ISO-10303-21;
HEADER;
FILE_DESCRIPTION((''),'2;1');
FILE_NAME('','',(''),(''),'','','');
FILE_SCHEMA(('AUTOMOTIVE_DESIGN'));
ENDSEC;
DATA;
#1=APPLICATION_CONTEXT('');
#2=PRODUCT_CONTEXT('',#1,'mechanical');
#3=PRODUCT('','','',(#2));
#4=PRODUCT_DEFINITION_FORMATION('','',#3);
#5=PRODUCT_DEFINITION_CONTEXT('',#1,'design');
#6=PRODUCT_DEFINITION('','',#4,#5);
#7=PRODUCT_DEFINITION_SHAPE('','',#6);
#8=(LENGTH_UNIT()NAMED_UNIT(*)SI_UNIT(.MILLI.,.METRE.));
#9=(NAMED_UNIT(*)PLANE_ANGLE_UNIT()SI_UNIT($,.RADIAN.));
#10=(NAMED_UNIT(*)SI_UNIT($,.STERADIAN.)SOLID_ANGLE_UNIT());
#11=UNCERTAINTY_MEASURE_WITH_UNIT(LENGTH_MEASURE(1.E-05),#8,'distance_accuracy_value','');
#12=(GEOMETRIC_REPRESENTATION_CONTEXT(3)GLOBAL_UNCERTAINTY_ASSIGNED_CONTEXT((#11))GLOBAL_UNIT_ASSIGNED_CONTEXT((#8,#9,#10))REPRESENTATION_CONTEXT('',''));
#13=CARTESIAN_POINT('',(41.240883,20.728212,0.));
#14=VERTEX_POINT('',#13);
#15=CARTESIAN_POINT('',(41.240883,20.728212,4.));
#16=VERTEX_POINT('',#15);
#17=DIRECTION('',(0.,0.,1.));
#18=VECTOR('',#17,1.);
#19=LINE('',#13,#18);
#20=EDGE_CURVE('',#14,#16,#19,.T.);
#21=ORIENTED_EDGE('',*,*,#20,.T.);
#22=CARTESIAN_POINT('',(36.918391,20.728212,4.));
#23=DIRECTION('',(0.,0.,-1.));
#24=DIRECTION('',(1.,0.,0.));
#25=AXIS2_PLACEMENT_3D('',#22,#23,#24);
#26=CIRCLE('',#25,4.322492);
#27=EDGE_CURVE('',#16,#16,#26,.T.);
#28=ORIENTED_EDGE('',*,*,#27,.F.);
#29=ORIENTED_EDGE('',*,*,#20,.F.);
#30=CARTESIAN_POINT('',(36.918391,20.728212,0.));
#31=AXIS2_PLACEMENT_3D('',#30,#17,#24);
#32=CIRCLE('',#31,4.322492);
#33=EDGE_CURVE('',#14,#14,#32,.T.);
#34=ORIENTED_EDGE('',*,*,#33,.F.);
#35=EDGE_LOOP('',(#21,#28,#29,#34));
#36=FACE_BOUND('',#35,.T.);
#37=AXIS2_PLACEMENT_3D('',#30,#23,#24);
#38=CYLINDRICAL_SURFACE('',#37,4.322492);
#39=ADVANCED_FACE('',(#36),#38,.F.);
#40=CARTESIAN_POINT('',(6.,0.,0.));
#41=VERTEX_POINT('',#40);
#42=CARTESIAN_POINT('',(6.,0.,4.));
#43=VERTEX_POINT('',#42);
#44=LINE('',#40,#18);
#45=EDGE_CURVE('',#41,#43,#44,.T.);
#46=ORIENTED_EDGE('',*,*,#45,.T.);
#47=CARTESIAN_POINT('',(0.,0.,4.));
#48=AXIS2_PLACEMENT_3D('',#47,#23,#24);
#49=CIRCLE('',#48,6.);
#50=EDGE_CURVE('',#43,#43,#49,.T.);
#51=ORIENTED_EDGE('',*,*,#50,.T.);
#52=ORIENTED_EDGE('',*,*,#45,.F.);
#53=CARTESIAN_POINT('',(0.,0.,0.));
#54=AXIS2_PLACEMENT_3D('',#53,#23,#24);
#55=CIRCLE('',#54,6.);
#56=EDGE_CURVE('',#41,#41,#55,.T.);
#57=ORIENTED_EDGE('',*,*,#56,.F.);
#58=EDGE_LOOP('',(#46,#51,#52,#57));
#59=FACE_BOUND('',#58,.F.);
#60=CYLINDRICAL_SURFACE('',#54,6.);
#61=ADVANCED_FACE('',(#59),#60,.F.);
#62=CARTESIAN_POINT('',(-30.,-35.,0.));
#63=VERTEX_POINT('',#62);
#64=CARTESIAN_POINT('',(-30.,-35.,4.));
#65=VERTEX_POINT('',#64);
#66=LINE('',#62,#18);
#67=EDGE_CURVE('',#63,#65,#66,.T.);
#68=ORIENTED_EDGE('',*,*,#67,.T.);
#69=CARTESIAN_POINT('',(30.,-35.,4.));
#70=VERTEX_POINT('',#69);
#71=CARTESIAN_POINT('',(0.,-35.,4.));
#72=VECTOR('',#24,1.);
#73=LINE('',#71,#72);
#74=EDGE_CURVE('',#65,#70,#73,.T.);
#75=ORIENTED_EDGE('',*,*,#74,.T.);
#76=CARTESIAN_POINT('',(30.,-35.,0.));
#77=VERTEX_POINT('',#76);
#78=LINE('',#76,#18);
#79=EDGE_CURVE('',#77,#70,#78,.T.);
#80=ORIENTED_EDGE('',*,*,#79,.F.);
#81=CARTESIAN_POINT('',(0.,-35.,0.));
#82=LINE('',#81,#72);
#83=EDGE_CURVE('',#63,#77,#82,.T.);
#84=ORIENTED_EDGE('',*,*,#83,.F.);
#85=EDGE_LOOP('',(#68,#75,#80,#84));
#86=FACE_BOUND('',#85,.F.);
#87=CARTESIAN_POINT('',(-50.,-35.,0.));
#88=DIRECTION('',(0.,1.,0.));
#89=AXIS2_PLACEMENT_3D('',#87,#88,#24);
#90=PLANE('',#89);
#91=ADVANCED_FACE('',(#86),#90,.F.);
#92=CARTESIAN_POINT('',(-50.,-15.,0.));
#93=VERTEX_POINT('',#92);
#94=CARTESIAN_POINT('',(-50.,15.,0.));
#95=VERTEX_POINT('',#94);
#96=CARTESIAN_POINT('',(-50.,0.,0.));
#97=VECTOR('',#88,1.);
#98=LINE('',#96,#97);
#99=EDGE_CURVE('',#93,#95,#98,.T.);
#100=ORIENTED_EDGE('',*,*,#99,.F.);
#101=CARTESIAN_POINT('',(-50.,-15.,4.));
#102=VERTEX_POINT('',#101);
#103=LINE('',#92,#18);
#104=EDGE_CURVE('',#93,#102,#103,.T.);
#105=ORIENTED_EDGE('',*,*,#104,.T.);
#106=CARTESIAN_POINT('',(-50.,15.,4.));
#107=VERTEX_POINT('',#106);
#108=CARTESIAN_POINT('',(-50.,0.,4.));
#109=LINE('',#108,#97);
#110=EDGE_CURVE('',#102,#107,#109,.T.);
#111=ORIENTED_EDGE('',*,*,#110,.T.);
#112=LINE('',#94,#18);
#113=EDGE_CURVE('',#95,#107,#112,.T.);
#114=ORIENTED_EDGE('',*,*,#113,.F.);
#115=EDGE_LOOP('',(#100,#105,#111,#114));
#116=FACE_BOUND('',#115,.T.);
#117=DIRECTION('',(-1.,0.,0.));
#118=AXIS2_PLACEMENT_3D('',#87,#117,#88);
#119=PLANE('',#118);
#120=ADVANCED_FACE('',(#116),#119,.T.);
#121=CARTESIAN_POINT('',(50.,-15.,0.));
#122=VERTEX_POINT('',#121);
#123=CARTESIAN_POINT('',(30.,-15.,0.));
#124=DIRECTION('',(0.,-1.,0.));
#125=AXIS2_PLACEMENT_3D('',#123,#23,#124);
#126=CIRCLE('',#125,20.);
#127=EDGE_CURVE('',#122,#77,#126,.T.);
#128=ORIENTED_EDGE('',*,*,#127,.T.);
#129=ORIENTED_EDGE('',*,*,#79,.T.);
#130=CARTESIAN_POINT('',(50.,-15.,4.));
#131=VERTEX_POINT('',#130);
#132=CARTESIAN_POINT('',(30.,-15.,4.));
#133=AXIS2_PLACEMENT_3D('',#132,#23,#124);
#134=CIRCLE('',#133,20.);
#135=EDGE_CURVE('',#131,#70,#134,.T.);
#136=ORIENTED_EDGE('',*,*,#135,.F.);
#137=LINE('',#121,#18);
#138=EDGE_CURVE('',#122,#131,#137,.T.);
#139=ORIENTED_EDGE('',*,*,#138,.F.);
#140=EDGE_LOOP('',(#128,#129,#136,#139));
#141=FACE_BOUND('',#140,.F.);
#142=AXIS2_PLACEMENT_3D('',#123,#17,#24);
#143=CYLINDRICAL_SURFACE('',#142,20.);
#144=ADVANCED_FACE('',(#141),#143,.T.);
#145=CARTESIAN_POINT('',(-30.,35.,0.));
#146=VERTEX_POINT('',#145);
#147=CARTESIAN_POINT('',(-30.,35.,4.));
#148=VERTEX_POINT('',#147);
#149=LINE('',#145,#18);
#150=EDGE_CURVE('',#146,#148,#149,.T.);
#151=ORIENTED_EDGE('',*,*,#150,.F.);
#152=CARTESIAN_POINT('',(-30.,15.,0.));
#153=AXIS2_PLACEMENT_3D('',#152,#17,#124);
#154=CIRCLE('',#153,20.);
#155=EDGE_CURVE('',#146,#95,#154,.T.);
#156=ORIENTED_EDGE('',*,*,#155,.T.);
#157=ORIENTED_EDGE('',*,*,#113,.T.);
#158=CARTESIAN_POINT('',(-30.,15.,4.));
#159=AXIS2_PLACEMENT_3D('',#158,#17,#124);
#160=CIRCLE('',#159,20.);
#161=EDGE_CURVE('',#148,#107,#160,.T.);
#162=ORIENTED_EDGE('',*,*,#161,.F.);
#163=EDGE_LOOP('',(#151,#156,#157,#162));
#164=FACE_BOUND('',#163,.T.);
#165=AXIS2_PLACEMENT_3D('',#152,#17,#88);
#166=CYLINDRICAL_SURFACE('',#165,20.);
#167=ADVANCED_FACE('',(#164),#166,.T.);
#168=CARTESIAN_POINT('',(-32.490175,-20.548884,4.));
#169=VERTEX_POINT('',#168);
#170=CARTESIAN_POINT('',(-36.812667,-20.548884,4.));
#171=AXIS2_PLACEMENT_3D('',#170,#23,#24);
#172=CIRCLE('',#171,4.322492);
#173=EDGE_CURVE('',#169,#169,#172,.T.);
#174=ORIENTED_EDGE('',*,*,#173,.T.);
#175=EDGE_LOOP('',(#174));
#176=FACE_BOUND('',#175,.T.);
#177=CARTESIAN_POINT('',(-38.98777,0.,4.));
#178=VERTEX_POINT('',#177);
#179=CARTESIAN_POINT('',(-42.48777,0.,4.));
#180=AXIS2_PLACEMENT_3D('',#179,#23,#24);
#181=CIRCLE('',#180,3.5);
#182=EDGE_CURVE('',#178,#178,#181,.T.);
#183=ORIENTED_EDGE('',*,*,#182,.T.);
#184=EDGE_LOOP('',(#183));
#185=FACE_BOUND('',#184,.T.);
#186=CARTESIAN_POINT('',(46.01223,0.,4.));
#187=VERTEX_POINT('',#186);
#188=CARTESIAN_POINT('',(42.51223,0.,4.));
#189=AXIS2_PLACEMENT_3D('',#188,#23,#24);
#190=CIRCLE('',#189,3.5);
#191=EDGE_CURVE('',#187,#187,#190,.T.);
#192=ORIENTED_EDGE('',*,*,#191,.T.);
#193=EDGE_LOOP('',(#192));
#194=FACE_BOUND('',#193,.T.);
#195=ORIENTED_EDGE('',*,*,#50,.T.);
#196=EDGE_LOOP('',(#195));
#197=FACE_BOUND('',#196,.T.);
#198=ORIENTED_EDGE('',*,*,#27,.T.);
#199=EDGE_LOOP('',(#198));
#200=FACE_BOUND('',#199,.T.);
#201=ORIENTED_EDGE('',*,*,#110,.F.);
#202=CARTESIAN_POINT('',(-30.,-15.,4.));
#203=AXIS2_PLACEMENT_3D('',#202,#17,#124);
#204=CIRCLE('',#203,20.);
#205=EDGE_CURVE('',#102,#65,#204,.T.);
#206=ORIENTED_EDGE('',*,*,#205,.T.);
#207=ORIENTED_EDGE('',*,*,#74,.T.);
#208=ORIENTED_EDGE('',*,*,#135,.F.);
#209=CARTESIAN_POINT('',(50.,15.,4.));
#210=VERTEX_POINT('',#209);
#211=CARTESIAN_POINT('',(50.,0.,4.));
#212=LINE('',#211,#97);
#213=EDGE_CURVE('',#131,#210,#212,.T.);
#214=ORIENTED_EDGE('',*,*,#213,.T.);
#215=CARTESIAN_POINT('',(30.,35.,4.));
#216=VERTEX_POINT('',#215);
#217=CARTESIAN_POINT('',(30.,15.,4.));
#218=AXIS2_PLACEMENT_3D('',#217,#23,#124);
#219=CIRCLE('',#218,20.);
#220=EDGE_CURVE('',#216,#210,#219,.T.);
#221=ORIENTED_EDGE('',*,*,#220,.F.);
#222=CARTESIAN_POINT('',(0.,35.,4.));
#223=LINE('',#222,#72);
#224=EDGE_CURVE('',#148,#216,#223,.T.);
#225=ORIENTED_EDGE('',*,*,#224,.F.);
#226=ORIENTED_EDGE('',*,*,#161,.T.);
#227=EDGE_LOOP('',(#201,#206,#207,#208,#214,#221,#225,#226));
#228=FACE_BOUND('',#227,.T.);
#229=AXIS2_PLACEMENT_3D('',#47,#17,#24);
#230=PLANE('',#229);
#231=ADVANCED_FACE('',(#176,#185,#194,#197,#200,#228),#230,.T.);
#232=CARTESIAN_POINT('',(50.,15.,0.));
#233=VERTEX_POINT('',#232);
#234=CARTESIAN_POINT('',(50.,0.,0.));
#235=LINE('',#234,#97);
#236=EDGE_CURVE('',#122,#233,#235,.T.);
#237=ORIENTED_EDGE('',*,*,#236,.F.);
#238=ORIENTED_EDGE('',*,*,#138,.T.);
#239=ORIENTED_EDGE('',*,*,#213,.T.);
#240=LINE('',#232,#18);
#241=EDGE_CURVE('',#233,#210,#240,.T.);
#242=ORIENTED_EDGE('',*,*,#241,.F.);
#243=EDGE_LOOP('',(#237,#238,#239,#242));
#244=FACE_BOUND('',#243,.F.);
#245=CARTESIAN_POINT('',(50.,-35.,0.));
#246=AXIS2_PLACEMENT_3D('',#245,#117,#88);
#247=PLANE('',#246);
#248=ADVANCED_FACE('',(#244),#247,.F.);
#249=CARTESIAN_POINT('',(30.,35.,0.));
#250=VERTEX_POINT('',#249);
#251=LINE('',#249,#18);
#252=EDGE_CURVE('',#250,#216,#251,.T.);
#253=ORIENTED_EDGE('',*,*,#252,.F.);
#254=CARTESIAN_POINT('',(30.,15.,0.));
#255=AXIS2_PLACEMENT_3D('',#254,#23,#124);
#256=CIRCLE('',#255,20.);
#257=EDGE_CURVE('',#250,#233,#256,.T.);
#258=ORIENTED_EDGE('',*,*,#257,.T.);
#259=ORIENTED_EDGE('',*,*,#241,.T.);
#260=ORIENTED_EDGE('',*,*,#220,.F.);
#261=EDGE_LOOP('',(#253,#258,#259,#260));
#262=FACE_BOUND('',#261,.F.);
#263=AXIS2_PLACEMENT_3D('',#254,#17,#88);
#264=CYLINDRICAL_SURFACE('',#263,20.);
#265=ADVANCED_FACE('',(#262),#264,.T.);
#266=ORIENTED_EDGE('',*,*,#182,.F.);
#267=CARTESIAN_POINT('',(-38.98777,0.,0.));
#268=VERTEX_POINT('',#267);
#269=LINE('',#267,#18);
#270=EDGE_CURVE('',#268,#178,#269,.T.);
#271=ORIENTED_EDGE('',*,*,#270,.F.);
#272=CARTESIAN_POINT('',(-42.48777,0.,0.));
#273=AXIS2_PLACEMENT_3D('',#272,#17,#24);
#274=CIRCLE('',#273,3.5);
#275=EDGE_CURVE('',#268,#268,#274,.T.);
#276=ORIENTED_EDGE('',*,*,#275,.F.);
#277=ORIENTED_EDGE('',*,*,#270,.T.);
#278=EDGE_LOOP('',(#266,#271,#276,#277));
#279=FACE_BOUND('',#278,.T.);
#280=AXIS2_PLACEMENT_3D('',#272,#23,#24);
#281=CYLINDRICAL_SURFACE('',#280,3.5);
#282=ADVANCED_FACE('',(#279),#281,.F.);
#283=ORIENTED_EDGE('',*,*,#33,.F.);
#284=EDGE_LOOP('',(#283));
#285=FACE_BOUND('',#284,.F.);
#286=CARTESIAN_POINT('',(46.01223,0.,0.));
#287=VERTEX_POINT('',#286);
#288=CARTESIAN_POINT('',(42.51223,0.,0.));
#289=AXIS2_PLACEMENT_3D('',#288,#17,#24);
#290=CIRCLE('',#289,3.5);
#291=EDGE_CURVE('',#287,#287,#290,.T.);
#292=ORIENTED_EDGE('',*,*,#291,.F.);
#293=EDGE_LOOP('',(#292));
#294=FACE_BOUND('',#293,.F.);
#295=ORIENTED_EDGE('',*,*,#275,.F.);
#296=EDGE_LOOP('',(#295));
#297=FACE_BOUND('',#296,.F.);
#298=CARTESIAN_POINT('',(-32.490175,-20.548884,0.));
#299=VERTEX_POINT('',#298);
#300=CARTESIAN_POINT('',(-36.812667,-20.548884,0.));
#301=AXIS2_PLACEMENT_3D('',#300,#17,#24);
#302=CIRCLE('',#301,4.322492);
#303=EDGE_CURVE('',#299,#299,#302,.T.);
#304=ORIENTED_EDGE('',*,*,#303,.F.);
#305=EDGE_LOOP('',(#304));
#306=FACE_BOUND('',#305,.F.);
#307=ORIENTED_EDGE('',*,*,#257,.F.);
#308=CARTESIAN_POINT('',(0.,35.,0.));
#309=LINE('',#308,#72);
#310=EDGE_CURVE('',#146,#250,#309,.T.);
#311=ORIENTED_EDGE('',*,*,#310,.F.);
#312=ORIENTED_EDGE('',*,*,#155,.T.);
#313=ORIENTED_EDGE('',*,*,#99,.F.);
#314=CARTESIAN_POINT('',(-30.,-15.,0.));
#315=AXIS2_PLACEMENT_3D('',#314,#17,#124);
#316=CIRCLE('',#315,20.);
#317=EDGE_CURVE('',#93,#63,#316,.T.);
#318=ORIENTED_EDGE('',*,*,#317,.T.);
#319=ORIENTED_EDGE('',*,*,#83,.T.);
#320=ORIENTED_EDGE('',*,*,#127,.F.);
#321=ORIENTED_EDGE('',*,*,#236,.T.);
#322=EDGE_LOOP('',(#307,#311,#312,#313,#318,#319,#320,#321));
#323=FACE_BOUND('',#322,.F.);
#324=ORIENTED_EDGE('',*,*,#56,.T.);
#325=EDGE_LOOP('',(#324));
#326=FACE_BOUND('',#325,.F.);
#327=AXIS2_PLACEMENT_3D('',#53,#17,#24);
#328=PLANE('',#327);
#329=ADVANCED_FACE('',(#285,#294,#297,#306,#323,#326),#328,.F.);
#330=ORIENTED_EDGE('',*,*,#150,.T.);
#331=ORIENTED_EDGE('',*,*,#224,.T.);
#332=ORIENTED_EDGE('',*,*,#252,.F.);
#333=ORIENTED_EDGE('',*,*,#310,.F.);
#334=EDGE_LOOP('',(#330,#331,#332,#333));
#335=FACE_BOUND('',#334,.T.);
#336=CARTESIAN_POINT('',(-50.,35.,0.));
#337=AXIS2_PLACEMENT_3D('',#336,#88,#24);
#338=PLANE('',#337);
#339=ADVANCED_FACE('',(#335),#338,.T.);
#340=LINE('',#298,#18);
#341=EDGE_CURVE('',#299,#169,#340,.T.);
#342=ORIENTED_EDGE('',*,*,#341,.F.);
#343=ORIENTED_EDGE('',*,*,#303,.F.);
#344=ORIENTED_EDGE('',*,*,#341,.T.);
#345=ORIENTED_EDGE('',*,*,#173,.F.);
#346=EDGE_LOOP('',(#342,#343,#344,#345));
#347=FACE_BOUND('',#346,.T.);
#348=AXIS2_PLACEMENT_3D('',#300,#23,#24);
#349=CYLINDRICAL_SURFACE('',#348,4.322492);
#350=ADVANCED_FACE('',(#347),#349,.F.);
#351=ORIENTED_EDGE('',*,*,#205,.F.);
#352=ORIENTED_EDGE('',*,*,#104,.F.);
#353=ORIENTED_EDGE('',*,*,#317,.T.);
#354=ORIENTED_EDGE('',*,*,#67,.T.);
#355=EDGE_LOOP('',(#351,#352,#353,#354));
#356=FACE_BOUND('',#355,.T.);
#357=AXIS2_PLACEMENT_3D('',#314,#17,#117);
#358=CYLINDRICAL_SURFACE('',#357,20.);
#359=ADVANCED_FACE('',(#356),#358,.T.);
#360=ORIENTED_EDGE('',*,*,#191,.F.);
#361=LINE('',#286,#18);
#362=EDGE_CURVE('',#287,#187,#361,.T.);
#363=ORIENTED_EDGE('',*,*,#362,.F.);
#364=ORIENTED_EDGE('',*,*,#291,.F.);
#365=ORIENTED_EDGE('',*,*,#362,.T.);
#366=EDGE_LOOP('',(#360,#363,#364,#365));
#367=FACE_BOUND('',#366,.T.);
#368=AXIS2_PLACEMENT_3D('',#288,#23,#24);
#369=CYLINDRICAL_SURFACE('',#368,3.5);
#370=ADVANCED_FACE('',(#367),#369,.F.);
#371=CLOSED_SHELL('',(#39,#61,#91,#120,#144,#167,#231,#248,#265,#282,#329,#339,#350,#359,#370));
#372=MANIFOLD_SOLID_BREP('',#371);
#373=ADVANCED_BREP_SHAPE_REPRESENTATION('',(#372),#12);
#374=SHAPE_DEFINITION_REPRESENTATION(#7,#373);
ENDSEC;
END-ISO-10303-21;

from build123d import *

# Parameters (mm, degrees)
F0_W      = 100
F0_H      = 70
F3_DEPTH  = 4
F2_R      = 4.322492
F4_DEPTH  = 5
F1_R      = 3.5
F5_DEPTH  = 5
F6_R      = 20
F7_R      = 20
F8_R      = 20
F9_R      = 20
F10_R     = 6
F11_DEPTH = 5


with BuildPart() as f3:
    # F0 (on Top) → F3 (new body)
    with BuildSketch(Plane.XY):
        Rectangle(F0_W, F0_H)
    extrude(amount=F3_DEPTH)

    # F2 (on Top) → F4 (cut)
    with BuildSketch(Plane.XY):
        with Locations((36.918391, 20.728212)):
            Circle(F2_R)
        with Locations((-36.812667, -20.548884)):
            Circle(F2_R)
    extrude(amount=F4_DEPTH, mode=Mode.SUBTRACT)

    # F1 (on face) → F5 (cut)
    with BuildSketch(Plane.XY):
        with Locations((-42.48777, 0)):
            Circle(F1_R)
        with Locations((42.51223, 0)):
            Circle(F1_R)
    extrude(amount=F5_DEPTH, mode=Mode.SUBTRACT)

    # F6
    f6_edges = [f3.edges().sort_by_distance(p)[0] for p in [
        (-50, -35, 2),
    ]]
    fillet(f6_edges, radius=F6_R)

    # F7
    f7_edges = [f3.edges().sort_by_distance(p)[0] for p in [
        (50, 35, 2),
    ]]
    fillet(f7_edges, radius=F7_R)

    # F8
    f8_edges = [f3.edges().sort_by_distance(p)[0] for p in [
        (50, -35, 2),
    ]]
    fillet(f8_edges, radius=F8_R)

    # F9
    f9_edges = [f3.edges().sort_by_distance(p)[0] for p in [
        (-50, 35, 2),
    ]]
    fillet(f9_edges, radius=F9_R)

    # F10 (on face) → F11 (cut)
    with BuildSketch(Plane(origin=(0, 0, 0), x_dir=(1, 0, 0), z_dir=(0, 0, -1))):
        Circle(F10_R)
    extrude(amount=-F11_DEPTH, mode=Mode.SUBTRACT)


solid = f3.part
